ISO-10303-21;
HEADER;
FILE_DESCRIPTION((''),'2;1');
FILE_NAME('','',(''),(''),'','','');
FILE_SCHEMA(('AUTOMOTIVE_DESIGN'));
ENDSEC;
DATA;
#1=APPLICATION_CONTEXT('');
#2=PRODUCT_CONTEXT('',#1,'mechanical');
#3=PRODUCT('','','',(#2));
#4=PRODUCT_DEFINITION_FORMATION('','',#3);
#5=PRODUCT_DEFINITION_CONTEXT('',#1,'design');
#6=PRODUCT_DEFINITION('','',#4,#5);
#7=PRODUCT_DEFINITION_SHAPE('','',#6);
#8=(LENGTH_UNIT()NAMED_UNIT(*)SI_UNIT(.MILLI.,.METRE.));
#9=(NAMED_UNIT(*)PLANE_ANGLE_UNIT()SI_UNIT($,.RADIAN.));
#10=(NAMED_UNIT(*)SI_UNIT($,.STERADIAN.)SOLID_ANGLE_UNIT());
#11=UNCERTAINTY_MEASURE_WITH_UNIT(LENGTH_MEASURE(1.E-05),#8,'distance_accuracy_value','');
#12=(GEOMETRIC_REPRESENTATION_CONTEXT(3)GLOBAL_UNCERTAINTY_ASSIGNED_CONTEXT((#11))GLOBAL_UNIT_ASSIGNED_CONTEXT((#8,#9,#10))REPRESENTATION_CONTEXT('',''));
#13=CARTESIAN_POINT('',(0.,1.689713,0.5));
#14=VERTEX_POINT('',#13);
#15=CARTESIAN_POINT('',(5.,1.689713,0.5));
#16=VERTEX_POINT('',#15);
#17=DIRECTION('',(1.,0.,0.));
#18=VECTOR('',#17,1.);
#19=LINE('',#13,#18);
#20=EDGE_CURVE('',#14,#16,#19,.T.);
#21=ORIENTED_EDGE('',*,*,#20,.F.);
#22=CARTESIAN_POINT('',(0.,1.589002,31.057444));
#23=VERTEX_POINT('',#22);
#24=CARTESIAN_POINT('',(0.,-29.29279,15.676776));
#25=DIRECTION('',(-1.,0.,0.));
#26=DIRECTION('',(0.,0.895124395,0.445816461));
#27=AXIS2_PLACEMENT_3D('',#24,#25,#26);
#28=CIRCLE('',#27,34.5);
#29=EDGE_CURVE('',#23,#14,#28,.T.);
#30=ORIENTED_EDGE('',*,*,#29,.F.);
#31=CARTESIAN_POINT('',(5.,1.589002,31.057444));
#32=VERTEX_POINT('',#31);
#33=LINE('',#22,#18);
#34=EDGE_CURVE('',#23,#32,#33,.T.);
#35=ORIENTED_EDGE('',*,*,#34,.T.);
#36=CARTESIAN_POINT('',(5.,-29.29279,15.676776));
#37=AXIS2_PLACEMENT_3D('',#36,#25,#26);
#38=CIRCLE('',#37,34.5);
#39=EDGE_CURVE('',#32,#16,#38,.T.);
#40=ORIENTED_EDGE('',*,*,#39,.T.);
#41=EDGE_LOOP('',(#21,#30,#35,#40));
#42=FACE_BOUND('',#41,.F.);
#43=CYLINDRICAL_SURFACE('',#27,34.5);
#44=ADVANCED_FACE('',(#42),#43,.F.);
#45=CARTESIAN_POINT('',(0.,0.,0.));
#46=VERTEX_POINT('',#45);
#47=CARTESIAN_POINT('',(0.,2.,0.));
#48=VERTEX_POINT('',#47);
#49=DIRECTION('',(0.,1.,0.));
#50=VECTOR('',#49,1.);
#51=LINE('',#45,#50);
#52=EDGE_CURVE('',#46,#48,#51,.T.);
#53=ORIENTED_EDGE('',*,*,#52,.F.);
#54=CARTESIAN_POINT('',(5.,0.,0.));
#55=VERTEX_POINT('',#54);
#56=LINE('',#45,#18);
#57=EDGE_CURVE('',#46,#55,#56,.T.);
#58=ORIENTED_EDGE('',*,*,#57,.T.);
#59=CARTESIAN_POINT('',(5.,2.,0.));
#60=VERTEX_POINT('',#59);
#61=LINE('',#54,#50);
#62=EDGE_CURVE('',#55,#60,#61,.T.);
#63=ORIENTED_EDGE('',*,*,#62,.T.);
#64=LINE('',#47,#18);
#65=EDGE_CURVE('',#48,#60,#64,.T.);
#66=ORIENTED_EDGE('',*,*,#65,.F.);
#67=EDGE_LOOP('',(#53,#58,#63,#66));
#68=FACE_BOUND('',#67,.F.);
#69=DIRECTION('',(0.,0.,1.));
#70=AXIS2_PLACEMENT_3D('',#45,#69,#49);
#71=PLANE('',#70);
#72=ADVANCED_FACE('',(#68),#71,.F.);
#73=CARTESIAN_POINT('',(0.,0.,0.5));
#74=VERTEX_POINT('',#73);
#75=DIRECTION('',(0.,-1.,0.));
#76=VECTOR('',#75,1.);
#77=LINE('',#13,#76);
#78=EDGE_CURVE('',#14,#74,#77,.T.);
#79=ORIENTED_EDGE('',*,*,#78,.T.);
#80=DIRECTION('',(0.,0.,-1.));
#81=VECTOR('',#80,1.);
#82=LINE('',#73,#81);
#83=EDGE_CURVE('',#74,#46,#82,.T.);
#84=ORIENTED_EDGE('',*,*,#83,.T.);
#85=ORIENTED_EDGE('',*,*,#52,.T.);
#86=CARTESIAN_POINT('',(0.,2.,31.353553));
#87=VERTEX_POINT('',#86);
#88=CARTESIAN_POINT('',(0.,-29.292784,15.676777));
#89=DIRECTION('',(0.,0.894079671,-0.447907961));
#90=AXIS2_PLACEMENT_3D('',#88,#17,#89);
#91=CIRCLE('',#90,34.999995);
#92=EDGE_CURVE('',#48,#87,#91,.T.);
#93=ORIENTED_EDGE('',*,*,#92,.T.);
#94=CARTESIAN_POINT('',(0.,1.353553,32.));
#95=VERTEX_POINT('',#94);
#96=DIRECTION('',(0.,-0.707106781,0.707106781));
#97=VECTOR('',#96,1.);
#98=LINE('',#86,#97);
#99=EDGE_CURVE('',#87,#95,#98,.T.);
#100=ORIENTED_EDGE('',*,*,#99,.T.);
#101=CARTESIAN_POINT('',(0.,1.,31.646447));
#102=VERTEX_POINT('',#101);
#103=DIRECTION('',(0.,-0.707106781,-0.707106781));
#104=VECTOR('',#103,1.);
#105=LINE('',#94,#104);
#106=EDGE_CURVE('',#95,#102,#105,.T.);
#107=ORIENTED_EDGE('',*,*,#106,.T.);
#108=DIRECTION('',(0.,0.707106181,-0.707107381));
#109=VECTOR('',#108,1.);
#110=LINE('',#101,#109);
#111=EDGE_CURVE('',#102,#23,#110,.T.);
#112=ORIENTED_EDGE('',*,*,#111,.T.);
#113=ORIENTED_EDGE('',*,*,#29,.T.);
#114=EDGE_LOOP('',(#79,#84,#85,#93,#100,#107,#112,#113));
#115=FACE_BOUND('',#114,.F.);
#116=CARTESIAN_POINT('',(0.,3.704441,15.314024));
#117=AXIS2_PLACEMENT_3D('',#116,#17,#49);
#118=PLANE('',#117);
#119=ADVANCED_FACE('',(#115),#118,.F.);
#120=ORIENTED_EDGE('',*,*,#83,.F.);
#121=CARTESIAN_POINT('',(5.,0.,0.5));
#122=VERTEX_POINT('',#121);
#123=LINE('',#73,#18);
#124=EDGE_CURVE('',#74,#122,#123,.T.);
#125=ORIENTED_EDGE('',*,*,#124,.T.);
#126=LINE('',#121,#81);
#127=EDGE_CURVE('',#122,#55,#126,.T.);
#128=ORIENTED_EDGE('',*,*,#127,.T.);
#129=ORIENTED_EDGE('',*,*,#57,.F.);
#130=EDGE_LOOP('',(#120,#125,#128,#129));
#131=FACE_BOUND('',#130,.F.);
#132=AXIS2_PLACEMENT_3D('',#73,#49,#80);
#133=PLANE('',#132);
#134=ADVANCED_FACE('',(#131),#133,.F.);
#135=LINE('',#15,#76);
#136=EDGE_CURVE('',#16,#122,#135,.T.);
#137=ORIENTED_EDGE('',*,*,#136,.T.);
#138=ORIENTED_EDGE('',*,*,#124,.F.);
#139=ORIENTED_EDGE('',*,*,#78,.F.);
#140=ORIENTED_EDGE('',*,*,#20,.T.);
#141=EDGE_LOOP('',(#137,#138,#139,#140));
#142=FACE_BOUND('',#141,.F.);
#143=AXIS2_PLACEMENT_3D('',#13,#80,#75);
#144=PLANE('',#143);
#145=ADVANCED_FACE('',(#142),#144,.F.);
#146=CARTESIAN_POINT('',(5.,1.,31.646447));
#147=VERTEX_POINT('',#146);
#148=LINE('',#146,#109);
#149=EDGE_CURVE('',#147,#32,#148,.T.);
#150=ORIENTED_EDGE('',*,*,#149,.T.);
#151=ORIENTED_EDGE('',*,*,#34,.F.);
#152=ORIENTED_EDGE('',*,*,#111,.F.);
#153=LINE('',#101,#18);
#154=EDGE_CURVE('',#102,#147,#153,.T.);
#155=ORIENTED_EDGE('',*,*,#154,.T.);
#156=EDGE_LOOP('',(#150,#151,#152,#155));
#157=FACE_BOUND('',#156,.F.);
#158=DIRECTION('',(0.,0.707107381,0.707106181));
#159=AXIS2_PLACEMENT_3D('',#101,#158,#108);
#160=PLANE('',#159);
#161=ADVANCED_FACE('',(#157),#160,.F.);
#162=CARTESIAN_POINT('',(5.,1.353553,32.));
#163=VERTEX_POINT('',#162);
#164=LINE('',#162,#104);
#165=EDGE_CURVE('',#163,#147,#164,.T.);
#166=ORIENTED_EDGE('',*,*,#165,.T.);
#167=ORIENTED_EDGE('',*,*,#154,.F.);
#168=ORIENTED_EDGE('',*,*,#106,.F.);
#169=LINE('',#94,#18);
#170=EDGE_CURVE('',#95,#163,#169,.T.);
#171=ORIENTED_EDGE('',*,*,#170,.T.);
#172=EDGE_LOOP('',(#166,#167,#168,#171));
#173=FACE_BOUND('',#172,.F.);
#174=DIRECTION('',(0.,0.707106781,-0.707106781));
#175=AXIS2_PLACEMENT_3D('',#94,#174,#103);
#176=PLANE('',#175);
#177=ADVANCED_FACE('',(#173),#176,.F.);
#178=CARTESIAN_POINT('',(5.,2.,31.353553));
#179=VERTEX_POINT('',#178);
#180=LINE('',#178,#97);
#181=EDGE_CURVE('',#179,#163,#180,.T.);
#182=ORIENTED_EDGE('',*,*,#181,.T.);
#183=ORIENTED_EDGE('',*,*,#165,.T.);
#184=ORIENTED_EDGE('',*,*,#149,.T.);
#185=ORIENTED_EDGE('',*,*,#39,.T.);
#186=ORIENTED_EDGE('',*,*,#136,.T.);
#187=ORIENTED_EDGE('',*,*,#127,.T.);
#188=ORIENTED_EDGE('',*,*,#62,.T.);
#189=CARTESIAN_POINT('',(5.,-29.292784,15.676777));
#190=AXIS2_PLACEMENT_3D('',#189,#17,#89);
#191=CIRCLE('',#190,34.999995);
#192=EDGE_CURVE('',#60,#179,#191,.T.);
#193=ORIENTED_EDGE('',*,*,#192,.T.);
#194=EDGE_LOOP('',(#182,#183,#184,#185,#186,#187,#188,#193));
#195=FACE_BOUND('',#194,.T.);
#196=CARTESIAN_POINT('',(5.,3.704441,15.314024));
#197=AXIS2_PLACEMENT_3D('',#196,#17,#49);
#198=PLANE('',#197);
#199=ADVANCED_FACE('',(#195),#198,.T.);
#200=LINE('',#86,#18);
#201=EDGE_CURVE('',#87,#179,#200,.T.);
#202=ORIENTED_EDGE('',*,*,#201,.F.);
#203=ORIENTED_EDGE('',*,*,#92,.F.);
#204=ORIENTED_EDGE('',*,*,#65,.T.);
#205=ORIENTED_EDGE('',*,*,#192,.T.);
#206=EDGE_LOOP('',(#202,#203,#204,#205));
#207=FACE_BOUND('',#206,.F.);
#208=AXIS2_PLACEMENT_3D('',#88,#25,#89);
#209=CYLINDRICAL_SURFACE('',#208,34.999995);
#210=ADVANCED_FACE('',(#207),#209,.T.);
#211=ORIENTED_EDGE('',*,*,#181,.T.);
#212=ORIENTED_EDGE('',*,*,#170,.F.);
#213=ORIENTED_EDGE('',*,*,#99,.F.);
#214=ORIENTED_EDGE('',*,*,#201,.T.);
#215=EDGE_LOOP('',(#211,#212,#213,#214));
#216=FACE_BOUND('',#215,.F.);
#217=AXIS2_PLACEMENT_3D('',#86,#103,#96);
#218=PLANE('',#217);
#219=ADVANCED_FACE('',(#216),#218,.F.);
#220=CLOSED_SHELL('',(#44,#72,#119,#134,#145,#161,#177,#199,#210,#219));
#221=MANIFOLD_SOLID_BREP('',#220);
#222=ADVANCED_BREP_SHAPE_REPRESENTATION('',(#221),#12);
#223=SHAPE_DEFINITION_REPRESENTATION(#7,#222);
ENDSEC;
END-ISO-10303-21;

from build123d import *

# Parameters (mm, degrees)
F1_DEPTH = 5


with BuildPart() as f1:
    # F0 (on Right) → F1 (new body)
    with BuildSketch(Plane.YZ):
        with BuildLine():
            Line((0, 0.5), (0, 0))
            Line((0, 0), (2, 0))
            ThreePointArc((2, 0), (5.707211, 15.676777), (2, 31.353553))
            Line((2, 31.353553), (1.353553, 32))
            Line((1.353553, 32), (1, 31.646447))
            Line((1, 31.646447), (1.589002, 31.057444))
            ThreePointArc((1.589002, 31.057444), (5.207023, 15.79048), (1.689713, 0.5))
            Line((1.689713, 0.5), (0, 0.5))
        make_face()
    extrude(amount=F1_DEPTH)


solid = f1.part
